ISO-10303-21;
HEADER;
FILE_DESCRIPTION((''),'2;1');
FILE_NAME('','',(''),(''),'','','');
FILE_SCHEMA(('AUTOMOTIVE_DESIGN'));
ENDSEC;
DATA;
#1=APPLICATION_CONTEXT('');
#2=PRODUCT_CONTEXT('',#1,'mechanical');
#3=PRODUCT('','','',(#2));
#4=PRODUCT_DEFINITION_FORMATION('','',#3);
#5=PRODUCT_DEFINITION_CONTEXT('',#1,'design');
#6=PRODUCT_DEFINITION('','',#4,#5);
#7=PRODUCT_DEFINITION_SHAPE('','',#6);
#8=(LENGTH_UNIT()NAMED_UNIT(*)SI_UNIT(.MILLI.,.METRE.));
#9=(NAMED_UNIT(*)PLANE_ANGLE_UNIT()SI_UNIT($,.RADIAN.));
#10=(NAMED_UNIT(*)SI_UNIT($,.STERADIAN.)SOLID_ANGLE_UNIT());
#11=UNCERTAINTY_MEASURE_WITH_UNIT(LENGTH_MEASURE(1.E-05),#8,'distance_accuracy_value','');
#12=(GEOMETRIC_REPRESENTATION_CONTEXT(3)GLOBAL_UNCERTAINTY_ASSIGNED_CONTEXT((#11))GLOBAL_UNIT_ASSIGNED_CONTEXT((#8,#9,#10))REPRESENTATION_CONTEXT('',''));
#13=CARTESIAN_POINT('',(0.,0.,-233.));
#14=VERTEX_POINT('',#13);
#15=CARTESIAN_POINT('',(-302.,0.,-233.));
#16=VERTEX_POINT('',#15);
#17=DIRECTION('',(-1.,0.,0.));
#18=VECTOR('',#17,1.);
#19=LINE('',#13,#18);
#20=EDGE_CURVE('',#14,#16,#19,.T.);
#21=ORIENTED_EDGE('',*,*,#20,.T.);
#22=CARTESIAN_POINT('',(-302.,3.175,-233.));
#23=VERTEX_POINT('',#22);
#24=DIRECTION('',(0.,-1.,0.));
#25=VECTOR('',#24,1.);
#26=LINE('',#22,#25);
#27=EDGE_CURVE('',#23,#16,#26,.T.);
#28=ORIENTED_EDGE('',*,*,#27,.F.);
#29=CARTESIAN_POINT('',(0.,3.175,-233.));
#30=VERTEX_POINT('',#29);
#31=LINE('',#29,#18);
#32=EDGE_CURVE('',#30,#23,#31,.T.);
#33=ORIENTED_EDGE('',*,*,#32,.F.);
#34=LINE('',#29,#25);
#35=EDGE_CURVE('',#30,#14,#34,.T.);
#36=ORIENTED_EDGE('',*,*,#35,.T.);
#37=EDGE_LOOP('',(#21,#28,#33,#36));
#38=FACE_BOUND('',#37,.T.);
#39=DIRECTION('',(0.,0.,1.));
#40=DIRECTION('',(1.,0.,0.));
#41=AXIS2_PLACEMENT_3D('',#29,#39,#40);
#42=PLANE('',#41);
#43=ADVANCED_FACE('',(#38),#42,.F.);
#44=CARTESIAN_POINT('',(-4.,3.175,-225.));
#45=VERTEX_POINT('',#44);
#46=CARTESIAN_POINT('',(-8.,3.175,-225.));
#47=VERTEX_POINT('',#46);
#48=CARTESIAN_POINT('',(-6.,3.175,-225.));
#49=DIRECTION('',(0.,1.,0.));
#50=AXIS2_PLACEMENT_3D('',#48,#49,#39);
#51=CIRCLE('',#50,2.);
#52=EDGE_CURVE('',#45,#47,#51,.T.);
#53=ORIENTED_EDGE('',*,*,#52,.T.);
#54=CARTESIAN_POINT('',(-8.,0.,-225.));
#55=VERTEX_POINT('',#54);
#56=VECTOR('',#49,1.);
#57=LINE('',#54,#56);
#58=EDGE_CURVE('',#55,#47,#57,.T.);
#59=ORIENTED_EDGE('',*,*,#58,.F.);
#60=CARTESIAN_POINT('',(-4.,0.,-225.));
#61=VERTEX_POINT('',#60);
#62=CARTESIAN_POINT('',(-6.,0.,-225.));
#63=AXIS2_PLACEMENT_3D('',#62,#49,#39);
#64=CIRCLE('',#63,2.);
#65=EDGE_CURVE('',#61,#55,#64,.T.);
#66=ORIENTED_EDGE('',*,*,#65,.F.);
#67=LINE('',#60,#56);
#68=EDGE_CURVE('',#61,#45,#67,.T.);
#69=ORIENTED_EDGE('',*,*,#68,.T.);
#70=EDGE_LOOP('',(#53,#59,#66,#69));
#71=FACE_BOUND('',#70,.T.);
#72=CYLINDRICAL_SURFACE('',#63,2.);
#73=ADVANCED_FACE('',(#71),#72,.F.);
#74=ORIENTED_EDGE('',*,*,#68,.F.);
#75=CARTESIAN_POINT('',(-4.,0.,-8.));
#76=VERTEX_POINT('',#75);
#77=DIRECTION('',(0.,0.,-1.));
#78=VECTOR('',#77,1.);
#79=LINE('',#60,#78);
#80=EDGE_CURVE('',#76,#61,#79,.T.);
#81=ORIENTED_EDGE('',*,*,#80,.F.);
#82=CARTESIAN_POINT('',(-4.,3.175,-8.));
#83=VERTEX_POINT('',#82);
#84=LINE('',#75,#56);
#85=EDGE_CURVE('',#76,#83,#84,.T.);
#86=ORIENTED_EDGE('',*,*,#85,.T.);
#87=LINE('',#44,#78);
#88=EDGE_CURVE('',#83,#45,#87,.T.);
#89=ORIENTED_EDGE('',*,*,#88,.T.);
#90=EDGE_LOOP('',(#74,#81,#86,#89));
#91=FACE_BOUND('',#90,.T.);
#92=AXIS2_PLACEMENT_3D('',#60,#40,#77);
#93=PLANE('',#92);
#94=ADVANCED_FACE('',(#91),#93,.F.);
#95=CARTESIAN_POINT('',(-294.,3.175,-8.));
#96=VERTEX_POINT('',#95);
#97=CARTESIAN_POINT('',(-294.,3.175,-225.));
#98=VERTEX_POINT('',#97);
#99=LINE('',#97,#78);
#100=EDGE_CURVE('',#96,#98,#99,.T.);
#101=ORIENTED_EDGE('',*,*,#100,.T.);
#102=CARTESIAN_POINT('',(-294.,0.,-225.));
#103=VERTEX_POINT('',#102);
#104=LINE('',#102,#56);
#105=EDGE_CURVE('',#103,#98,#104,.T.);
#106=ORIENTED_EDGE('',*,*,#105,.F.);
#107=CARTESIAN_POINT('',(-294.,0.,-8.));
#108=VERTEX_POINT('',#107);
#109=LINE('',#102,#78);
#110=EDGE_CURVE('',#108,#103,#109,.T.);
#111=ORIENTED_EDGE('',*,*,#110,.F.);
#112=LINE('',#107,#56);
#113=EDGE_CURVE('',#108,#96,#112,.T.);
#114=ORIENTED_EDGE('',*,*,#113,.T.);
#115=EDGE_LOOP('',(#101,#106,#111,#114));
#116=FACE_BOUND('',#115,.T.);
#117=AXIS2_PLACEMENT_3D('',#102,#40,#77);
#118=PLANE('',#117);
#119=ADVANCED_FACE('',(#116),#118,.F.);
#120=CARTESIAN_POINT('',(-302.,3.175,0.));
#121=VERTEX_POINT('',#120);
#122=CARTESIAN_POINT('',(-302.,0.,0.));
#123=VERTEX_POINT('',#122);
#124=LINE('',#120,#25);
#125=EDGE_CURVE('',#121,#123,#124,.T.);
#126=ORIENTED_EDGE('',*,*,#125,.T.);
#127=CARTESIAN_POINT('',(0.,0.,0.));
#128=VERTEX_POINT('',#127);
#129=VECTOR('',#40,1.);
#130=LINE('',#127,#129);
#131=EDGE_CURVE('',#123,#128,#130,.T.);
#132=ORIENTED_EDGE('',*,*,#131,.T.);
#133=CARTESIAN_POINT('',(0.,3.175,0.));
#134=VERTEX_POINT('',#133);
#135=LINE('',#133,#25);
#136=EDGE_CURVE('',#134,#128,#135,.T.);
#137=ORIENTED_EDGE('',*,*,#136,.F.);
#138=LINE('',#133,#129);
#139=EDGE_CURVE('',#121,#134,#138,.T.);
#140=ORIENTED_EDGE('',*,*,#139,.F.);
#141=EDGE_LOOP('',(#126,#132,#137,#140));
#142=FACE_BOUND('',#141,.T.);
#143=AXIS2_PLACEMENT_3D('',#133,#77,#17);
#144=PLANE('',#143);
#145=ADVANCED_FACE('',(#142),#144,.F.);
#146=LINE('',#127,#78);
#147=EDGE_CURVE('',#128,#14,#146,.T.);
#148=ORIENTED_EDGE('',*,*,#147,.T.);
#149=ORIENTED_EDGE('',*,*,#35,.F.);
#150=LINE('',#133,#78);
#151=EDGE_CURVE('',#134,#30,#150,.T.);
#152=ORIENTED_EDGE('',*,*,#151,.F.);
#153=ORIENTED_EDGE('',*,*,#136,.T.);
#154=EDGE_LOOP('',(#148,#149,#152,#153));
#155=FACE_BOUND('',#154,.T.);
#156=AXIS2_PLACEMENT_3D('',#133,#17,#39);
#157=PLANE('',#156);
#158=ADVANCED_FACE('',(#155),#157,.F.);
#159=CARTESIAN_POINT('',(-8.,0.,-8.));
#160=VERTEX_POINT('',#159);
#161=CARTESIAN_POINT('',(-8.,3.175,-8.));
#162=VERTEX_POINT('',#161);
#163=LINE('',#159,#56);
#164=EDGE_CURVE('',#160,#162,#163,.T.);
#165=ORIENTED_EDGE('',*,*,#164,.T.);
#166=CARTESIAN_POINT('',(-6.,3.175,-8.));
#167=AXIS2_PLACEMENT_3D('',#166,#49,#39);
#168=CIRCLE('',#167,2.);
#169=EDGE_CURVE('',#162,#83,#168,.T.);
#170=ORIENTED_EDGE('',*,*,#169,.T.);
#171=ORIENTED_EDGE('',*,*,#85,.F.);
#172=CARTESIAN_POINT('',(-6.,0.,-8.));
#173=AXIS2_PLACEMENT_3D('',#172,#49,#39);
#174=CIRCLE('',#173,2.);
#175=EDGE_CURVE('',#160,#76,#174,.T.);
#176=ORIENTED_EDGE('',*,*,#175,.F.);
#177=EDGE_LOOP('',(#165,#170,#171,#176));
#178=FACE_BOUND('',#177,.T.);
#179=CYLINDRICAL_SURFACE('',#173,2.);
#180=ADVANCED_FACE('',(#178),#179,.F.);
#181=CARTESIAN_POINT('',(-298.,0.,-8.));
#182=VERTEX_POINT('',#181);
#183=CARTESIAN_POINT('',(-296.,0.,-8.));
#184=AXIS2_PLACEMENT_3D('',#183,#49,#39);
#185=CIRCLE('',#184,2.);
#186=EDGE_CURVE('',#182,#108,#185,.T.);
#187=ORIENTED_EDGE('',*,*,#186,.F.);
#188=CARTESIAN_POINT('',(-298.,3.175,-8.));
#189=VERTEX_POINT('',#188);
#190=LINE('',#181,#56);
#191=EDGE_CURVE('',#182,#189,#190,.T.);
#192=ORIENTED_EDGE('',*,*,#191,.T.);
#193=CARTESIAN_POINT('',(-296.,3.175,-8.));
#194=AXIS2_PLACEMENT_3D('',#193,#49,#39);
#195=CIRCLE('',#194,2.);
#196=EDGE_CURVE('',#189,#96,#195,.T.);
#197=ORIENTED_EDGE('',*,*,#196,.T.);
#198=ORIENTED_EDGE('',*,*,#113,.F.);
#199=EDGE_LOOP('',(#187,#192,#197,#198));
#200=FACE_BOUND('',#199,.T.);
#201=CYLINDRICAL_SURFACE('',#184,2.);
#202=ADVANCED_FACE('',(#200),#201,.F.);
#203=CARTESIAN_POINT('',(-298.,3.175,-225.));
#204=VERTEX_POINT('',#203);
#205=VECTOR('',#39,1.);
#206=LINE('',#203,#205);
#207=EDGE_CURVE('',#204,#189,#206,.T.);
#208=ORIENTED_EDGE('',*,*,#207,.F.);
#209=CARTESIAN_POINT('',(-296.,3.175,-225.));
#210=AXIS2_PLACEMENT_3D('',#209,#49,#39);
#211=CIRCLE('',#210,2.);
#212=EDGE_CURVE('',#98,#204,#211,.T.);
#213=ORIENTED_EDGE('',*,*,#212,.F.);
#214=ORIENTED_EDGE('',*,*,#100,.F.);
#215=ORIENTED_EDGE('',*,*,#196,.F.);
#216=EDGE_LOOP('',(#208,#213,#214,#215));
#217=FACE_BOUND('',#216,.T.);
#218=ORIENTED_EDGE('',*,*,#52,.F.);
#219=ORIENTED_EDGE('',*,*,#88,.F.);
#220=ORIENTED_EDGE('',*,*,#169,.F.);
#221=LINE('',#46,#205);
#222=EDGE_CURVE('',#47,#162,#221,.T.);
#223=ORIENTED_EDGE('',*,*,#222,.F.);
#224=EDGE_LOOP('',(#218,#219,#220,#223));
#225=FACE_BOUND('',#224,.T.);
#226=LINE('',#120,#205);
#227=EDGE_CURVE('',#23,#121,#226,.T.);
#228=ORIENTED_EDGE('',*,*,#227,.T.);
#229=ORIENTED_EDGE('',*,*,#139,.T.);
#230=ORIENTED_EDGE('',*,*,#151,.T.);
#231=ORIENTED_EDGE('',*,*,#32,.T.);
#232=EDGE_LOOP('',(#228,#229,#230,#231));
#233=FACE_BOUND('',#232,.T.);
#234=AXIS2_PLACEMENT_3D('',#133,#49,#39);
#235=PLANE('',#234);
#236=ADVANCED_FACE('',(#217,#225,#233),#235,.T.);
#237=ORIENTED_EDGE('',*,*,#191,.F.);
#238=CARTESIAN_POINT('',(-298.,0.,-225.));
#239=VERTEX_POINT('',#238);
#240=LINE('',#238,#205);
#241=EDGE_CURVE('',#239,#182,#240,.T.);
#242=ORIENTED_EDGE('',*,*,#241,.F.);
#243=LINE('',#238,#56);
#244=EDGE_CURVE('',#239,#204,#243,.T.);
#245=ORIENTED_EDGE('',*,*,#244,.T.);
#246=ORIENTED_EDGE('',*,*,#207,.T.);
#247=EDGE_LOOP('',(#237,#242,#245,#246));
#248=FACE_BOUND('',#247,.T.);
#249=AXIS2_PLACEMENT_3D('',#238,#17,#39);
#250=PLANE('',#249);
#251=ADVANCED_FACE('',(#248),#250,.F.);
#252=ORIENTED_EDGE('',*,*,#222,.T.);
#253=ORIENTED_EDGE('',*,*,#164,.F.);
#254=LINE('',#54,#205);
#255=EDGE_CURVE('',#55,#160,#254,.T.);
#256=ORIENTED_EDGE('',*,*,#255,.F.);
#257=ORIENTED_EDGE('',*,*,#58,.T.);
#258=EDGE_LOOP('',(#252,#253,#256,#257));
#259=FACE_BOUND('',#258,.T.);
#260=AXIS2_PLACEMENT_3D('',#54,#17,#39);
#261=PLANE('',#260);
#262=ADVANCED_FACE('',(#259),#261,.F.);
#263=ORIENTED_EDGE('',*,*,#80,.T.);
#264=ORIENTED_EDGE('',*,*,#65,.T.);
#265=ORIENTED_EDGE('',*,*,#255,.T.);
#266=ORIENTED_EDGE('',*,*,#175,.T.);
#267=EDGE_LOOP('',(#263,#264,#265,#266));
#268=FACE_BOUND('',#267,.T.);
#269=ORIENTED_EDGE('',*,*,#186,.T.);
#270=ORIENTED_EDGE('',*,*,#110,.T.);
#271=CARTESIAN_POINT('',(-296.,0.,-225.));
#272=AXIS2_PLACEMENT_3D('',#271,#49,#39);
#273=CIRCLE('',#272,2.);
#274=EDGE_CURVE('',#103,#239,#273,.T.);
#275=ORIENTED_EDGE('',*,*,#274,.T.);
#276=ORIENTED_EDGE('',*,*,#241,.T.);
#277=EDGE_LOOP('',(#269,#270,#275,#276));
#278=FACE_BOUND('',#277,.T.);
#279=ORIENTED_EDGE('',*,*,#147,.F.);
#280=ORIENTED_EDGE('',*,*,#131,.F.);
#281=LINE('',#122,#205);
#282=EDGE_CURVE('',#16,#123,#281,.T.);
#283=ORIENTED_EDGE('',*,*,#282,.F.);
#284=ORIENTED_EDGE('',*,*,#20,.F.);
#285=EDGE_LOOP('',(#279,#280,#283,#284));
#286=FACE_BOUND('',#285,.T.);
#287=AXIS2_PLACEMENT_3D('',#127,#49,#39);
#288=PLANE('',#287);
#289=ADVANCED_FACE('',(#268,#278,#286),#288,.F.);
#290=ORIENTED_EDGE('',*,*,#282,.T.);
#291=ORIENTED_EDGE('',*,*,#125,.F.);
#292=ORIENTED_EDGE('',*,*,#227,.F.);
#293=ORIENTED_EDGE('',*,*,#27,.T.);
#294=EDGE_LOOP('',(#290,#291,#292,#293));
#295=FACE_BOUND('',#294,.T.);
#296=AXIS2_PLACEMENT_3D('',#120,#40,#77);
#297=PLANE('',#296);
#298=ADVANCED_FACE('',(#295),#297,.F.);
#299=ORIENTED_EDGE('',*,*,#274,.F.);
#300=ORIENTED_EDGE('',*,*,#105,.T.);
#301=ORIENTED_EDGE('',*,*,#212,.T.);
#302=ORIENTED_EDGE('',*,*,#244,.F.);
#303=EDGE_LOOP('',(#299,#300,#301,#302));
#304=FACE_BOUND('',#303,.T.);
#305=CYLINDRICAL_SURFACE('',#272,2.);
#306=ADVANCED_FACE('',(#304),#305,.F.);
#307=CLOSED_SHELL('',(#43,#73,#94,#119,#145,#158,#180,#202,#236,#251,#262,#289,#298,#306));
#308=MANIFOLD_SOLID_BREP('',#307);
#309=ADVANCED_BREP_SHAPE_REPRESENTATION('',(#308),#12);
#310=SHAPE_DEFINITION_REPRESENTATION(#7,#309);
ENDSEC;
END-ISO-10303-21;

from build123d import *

# Parameters (mm, degrees)
SKETCH1_W           = 302
SKETCH1_H           = 233
BOSS_EXTRUDE1_DEPTH = 3.175
CUT_EXTRUDE1_DEPTH  = 382.448660536


with BuildPart() as part:
    # Sketch1 → Boss-Extrude1 (new body)
    with BuildSketch(Plane(origin=(0, 0, 0), x_dir=(1, 0, 0), z_dir=(0, 1, 0))):
        with Locations((-151, 116.5)):
            Rectangle(SKETCH1_W, SKETCH1_H)
    extrude(amount=BOSS_EXTRUDE1_DEPTH)

    # Sketch2 → Cut-Extrude1 (cut, through all)
    with BuildSketch(Plane(origin=(0, 3.175, 0), x_dir=(1, 0, 0), z_dir=(0, 1, 0))):
        with BuildLine():
            Line((-294, 225), (-294, 8))
            ThreePointArc((-294, 8), (-296, 6), (-298, 8))
            Line((-298, 8), (-298, 225))
            ThreePointArc((-298, 225), (-296, 227), (-294, 225))
        make_face()
        with BuildLine():
            Line((-4, 225), (-4, 8))
            ThreePointArc((-4, 8), (-6, 6), (-8, 8))
            Line((-8, 8), (-8, 225))
            ThreePointArc((-8, 225), (-6, 227), (-4, 225))
        make_face()
    extrude(amount=-CUT_EXTRUDE1_DEPTH, mode=Mode.SUBTRACT)


solid = part.part
